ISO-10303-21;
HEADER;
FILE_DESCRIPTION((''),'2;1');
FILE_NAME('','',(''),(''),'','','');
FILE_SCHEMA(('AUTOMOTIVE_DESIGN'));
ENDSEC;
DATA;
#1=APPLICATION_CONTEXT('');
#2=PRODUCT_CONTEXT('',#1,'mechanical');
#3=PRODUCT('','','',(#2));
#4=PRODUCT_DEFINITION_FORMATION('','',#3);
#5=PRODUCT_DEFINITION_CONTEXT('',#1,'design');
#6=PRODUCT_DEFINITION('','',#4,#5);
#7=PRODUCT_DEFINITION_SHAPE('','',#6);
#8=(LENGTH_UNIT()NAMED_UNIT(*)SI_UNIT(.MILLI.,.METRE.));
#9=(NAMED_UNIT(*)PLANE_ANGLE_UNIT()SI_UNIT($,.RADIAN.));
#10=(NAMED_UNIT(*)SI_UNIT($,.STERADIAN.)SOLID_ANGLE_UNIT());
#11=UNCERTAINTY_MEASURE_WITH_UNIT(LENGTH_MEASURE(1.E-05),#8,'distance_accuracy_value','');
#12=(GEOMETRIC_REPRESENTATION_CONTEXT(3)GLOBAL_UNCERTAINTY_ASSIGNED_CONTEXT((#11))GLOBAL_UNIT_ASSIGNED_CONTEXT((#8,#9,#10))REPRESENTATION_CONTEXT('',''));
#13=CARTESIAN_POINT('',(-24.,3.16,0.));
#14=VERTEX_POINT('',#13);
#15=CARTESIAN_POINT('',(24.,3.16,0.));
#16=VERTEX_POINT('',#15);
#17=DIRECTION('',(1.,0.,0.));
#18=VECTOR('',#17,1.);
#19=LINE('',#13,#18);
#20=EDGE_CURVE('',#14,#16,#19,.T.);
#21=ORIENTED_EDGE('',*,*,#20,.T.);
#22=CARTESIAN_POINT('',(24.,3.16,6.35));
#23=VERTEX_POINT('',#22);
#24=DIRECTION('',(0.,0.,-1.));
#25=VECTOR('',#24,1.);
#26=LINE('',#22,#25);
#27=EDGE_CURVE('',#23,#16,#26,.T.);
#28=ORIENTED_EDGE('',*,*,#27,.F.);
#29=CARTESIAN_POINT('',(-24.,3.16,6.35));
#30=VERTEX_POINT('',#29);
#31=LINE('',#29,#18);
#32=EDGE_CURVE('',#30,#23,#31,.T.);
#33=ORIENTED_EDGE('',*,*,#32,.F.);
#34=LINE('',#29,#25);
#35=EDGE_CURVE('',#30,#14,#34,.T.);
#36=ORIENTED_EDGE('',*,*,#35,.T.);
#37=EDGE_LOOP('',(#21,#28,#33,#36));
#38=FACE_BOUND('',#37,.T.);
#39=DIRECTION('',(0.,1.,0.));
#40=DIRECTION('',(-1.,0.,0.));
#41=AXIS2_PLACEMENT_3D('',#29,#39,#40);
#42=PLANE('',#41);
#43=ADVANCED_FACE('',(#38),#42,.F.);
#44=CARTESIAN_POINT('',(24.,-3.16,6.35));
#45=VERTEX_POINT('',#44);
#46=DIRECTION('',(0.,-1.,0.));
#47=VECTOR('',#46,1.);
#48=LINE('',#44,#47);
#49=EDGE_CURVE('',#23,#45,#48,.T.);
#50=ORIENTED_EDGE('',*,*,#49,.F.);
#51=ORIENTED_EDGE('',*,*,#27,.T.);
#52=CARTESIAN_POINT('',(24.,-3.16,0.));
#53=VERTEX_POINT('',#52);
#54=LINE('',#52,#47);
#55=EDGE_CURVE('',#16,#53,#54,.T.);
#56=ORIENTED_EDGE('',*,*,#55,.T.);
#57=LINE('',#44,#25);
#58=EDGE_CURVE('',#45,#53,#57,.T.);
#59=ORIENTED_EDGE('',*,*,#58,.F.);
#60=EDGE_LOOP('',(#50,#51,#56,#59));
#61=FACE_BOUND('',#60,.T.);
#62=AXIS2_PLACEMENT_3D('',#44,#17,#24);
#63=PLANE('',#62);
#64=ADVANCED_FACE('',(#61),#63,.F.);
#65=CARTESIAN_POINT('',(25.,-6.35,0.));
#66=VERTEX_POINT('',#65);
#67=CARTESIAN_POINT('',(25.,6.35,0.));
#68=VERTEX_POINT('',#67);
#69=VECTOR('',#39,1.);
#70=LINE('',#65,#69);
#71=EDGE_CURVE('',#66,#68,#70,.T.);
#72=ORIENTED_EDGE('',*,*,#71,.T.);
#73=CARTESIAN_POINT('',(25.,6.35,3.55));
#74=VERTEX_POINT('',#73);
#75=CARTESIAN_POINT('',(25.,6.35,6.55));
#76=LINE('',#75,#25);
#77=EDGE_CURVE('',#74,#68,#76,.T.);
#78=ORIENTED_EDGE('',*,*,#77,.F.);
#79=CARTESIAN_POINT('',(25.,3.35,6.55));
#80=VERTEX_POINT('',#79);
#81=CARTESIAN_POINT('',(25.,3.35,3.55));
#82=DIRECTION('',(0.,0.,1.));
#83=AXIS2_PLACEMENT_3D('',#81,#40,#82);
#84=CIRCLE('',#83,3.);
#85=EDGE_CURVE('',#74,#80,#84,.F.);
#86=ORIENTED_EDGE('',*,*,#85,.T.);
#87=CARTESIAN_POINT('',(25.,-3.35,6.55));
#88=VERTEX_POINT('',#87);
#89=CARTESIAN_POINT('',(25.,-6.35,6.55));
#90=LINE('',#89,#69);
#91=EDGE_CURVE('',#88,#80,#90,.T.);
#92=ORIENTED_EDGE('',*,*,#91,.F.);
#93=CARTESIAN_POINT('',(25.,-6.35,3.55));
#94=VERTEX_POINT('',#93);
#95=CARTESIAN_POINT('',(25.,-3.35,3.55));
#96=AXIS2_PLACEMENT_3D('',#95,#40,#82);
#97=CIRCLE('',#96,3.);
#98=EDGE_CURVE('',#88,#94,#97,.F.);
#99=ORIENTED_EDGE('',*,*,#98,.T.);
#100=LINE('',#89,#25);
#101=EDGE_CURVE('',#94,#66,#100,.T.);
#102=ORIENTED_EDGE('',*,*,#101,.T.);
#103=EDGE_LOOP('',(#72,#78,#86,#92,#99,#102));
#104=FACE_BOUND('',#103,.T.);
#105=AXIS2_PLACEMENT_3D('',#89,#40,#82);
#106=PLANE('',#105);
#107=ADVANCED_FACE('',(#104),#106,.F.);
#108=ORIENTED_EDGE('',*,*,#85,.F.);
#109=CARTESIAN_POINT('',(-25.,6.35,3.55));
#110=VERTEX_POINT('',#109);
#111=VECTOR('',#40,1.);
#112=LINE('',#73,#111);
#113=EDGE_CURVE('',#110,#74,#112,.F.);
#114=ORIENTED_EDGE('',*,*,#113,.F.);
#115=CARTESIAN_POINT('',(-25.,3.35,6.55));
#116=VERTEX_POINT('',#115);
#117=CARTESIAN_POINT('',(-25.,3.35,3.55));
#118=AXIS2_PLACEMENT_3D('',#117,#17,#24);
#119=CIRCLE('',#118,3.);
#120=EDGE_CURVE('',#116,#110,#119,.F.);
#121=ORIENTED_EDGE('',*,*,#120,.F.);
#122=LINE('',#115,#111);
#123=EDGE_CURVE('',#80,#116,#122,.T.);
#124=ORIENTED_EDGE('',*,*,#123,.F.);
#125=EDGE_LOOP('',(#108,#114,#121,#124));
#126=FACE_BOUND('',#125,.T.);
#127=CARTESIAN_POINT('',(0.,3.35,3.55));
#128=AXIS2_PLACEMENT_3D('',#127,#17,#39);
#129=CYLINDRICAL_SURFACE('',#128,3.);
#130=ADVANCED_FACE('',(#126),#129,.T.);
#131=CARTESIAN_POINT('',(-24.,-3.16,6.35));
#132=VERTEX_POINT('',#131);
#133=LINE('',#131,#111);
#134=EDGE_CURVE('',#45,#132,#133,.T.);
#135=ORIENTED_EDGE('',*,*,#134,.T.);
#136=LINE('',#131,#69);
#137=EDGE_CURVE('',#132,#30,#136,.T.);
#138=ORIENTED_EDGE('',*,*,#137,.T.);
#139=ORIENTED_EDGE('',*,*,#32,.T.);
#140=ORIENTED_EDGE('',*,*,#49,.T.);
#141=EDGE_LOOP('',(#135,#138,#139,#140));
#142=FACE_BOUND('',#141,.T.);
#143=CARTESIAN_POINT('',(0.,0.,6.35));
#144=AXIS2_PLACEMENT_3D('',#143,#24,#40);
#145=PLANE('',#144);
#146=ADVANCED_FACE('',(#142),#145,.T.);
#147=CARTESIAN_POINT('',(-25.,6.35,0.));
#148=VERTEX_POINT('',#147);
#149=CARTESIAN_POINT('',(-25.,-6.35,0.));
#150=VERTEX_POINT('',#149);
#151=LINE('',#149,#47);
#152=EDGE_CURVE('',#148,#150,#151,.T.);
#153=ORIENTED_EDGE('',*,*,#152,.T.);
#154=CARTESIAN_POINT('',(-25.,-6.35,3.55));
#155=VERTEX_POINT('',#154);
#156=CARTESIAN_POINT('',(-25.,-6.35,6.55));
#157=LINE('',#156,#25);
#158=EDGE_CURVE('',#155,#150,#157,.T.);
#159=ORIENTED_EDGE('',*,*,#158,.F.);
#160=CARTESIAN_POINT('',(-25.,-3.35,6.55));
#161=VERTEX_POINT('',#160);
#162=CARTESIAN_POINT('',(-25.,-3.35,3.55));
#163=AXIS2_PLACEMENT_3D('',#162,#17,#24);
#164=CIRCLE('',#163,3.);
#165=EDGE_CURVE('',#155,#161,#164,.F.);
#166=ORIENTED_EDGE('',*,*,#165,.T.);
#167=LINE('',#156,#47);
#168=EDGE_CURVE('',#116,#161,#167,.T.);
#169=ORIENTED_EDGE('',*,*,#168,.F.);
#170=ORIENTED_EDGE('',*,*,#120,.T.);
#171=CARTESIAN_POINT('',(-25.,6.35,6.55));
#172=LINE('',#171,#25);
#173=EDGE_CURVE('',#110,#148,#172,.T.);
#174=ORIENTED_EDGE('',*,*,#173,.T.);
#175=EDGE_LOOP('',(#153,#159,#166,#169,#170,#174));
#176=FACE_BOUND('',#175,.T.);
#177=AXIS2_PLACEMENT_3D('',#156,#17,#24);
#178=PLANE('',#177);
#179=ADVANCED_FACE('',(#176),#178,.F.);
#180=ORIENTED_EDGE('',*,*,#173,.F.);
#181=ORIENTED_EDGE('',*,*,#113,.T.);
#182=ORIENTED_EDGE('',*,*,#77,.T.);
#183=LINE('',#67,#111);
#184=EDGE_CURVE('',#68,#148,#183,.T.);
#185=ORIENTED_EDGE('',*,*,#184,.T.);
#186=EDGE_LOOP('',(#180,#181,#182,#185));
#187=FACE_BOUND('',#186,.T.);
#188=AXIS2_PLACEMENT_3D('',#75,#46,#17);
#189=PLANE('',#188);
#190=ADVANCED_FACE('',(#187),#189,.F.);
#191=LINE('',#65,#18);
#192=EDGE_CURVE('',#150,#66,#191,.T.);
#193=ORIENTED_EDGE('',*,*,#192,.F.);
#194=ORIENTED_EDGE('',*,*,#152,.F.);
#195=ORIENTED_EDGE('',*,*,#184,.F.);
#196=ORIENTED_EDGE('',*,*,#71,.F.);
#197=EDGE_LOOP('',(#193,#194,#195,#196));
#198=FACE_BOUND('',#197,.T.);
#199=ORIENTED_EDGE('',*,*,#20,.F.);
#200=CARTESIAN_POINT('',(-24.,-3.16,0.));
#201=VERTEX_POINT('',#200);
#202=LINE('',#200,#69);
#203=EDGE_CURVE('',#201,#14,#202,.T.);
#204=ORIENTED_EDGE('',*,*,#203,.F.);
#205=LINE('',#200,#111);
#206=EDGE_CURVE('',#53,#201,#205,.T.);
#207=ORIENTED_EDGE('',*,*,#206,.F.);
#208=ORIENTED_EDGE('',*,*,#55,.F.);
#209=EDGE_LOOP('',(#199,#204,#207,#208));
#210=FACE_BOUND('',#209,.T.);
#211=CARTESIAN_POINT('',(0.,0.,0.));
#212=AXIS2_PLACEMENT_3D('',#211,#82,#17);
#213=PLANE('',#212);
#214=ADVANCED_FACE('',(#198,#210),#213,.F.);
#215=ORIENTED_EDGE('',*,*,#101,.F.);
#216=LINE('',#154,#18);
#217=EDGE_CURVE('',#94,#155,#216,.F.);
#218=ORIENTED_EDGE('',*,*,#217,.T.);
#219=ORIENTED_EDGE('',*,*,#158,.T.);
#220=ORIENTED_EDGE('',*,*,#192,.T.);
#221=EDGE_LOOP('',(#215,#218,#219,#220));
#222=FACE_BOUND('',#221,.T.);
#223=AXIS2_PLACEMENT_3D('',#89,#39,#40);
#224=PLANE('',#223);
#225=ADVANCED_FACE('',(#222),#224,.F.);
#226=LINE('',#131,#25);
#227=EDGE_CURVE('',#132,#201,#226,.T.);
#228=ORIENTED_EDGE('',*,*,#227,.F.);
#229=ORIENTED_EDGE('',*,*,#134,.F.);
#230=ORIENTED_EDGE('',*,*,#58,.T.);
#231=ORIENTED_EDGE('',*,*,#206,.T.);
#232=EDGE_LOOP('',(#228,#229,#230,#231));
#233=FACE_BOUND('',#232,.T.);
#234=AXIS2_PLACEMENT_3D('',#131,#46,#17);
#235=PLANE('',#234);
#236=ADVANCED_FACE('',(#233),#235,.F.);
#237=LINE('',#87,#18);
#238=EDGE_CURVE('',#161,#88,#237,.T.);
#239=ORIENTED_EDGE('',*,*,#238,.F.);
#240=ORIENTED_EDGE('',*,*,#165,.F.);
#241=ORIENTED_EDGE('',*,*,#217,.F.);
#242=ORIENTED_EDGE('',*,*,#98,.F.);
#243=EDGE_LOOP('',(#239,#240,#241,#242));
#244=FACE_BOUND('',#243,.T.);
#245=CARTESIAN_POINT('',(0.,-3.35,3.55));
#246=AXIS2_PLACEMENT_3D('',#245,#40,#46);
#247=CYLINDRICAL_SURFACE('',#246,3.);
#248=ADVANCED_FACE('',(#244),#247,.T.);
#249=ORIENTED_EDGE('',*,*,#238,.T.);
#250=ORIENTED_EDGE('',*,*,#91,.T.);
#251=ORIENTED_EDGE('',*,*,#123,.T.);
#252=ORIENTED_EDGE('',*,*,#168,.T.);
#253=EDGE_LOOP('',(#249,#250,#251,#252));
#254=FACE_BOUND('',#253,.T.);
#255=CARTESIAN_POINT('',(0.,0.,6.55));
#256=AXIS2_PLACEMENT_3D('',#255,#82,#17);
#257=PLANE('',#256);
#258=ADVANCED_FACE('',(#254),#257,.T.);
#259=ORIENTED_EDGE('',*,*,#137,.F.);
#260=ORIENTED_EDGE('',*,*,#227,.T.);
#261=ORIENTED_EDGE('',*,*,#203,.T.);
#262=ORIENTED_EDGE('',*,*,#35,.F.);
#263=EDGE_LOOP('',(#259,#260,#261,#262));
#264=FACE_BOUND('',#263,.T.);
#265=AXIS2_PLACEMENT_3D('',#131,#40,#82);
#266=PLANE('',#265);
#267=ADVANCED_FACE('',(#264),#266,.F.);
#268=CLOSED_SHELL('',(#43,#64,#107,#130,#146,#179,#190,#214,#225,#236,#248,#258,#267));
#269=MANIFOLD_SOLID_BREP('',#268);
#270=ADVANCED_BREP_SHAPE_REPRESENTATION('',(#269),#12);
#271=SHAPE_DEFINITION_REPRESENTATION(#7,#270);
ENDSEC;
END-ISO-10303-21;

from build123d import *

# Parameters (mm, degrees)
SKETCH1_W           = 50
SKETCH1_H           = 12.7
BOSS_EXTRUDE1_DEPTH = 6.55
SKETCH2_W           = 48
SKETCH2_H           = 6.32
CUT_EXTRUDE2_DEPTH  = 6.35
FILLET1_R           = 3


with BuildPart() as part:
    # Sketch1 → Boss-Extrude1 (new body)
    with BuildSketch(Plane.XY):
        Rectangle(SKETCH1_W, SKETCH1_H)
    extrude(amount=BOSS_EXTRUDE1_DEPTH)

    # Sketch2 → Cut-Extrude2 (cut)
    with BuildSketch(Plane(origin=(0, 0, 0), x_dir=(-1, 0, 0), z_dir=(0, 0, -1))):
        Rectangle(SKETCH2_W, SKETCH2_H)
    extrude(amount=-CUT_EXTRUDE2_DEPTH, mode=Mode.SUBTRACT)

    # Fillet1
    fillet1_edges = [part.edges().sort_by_distance(p)[0] for p in [
        (0, 6.35, 6.55),
        (0, -6.35, 6.55),
    ]]
    fillet(fillet1_edges, radius=FILLET1_R)


solid = part.part
